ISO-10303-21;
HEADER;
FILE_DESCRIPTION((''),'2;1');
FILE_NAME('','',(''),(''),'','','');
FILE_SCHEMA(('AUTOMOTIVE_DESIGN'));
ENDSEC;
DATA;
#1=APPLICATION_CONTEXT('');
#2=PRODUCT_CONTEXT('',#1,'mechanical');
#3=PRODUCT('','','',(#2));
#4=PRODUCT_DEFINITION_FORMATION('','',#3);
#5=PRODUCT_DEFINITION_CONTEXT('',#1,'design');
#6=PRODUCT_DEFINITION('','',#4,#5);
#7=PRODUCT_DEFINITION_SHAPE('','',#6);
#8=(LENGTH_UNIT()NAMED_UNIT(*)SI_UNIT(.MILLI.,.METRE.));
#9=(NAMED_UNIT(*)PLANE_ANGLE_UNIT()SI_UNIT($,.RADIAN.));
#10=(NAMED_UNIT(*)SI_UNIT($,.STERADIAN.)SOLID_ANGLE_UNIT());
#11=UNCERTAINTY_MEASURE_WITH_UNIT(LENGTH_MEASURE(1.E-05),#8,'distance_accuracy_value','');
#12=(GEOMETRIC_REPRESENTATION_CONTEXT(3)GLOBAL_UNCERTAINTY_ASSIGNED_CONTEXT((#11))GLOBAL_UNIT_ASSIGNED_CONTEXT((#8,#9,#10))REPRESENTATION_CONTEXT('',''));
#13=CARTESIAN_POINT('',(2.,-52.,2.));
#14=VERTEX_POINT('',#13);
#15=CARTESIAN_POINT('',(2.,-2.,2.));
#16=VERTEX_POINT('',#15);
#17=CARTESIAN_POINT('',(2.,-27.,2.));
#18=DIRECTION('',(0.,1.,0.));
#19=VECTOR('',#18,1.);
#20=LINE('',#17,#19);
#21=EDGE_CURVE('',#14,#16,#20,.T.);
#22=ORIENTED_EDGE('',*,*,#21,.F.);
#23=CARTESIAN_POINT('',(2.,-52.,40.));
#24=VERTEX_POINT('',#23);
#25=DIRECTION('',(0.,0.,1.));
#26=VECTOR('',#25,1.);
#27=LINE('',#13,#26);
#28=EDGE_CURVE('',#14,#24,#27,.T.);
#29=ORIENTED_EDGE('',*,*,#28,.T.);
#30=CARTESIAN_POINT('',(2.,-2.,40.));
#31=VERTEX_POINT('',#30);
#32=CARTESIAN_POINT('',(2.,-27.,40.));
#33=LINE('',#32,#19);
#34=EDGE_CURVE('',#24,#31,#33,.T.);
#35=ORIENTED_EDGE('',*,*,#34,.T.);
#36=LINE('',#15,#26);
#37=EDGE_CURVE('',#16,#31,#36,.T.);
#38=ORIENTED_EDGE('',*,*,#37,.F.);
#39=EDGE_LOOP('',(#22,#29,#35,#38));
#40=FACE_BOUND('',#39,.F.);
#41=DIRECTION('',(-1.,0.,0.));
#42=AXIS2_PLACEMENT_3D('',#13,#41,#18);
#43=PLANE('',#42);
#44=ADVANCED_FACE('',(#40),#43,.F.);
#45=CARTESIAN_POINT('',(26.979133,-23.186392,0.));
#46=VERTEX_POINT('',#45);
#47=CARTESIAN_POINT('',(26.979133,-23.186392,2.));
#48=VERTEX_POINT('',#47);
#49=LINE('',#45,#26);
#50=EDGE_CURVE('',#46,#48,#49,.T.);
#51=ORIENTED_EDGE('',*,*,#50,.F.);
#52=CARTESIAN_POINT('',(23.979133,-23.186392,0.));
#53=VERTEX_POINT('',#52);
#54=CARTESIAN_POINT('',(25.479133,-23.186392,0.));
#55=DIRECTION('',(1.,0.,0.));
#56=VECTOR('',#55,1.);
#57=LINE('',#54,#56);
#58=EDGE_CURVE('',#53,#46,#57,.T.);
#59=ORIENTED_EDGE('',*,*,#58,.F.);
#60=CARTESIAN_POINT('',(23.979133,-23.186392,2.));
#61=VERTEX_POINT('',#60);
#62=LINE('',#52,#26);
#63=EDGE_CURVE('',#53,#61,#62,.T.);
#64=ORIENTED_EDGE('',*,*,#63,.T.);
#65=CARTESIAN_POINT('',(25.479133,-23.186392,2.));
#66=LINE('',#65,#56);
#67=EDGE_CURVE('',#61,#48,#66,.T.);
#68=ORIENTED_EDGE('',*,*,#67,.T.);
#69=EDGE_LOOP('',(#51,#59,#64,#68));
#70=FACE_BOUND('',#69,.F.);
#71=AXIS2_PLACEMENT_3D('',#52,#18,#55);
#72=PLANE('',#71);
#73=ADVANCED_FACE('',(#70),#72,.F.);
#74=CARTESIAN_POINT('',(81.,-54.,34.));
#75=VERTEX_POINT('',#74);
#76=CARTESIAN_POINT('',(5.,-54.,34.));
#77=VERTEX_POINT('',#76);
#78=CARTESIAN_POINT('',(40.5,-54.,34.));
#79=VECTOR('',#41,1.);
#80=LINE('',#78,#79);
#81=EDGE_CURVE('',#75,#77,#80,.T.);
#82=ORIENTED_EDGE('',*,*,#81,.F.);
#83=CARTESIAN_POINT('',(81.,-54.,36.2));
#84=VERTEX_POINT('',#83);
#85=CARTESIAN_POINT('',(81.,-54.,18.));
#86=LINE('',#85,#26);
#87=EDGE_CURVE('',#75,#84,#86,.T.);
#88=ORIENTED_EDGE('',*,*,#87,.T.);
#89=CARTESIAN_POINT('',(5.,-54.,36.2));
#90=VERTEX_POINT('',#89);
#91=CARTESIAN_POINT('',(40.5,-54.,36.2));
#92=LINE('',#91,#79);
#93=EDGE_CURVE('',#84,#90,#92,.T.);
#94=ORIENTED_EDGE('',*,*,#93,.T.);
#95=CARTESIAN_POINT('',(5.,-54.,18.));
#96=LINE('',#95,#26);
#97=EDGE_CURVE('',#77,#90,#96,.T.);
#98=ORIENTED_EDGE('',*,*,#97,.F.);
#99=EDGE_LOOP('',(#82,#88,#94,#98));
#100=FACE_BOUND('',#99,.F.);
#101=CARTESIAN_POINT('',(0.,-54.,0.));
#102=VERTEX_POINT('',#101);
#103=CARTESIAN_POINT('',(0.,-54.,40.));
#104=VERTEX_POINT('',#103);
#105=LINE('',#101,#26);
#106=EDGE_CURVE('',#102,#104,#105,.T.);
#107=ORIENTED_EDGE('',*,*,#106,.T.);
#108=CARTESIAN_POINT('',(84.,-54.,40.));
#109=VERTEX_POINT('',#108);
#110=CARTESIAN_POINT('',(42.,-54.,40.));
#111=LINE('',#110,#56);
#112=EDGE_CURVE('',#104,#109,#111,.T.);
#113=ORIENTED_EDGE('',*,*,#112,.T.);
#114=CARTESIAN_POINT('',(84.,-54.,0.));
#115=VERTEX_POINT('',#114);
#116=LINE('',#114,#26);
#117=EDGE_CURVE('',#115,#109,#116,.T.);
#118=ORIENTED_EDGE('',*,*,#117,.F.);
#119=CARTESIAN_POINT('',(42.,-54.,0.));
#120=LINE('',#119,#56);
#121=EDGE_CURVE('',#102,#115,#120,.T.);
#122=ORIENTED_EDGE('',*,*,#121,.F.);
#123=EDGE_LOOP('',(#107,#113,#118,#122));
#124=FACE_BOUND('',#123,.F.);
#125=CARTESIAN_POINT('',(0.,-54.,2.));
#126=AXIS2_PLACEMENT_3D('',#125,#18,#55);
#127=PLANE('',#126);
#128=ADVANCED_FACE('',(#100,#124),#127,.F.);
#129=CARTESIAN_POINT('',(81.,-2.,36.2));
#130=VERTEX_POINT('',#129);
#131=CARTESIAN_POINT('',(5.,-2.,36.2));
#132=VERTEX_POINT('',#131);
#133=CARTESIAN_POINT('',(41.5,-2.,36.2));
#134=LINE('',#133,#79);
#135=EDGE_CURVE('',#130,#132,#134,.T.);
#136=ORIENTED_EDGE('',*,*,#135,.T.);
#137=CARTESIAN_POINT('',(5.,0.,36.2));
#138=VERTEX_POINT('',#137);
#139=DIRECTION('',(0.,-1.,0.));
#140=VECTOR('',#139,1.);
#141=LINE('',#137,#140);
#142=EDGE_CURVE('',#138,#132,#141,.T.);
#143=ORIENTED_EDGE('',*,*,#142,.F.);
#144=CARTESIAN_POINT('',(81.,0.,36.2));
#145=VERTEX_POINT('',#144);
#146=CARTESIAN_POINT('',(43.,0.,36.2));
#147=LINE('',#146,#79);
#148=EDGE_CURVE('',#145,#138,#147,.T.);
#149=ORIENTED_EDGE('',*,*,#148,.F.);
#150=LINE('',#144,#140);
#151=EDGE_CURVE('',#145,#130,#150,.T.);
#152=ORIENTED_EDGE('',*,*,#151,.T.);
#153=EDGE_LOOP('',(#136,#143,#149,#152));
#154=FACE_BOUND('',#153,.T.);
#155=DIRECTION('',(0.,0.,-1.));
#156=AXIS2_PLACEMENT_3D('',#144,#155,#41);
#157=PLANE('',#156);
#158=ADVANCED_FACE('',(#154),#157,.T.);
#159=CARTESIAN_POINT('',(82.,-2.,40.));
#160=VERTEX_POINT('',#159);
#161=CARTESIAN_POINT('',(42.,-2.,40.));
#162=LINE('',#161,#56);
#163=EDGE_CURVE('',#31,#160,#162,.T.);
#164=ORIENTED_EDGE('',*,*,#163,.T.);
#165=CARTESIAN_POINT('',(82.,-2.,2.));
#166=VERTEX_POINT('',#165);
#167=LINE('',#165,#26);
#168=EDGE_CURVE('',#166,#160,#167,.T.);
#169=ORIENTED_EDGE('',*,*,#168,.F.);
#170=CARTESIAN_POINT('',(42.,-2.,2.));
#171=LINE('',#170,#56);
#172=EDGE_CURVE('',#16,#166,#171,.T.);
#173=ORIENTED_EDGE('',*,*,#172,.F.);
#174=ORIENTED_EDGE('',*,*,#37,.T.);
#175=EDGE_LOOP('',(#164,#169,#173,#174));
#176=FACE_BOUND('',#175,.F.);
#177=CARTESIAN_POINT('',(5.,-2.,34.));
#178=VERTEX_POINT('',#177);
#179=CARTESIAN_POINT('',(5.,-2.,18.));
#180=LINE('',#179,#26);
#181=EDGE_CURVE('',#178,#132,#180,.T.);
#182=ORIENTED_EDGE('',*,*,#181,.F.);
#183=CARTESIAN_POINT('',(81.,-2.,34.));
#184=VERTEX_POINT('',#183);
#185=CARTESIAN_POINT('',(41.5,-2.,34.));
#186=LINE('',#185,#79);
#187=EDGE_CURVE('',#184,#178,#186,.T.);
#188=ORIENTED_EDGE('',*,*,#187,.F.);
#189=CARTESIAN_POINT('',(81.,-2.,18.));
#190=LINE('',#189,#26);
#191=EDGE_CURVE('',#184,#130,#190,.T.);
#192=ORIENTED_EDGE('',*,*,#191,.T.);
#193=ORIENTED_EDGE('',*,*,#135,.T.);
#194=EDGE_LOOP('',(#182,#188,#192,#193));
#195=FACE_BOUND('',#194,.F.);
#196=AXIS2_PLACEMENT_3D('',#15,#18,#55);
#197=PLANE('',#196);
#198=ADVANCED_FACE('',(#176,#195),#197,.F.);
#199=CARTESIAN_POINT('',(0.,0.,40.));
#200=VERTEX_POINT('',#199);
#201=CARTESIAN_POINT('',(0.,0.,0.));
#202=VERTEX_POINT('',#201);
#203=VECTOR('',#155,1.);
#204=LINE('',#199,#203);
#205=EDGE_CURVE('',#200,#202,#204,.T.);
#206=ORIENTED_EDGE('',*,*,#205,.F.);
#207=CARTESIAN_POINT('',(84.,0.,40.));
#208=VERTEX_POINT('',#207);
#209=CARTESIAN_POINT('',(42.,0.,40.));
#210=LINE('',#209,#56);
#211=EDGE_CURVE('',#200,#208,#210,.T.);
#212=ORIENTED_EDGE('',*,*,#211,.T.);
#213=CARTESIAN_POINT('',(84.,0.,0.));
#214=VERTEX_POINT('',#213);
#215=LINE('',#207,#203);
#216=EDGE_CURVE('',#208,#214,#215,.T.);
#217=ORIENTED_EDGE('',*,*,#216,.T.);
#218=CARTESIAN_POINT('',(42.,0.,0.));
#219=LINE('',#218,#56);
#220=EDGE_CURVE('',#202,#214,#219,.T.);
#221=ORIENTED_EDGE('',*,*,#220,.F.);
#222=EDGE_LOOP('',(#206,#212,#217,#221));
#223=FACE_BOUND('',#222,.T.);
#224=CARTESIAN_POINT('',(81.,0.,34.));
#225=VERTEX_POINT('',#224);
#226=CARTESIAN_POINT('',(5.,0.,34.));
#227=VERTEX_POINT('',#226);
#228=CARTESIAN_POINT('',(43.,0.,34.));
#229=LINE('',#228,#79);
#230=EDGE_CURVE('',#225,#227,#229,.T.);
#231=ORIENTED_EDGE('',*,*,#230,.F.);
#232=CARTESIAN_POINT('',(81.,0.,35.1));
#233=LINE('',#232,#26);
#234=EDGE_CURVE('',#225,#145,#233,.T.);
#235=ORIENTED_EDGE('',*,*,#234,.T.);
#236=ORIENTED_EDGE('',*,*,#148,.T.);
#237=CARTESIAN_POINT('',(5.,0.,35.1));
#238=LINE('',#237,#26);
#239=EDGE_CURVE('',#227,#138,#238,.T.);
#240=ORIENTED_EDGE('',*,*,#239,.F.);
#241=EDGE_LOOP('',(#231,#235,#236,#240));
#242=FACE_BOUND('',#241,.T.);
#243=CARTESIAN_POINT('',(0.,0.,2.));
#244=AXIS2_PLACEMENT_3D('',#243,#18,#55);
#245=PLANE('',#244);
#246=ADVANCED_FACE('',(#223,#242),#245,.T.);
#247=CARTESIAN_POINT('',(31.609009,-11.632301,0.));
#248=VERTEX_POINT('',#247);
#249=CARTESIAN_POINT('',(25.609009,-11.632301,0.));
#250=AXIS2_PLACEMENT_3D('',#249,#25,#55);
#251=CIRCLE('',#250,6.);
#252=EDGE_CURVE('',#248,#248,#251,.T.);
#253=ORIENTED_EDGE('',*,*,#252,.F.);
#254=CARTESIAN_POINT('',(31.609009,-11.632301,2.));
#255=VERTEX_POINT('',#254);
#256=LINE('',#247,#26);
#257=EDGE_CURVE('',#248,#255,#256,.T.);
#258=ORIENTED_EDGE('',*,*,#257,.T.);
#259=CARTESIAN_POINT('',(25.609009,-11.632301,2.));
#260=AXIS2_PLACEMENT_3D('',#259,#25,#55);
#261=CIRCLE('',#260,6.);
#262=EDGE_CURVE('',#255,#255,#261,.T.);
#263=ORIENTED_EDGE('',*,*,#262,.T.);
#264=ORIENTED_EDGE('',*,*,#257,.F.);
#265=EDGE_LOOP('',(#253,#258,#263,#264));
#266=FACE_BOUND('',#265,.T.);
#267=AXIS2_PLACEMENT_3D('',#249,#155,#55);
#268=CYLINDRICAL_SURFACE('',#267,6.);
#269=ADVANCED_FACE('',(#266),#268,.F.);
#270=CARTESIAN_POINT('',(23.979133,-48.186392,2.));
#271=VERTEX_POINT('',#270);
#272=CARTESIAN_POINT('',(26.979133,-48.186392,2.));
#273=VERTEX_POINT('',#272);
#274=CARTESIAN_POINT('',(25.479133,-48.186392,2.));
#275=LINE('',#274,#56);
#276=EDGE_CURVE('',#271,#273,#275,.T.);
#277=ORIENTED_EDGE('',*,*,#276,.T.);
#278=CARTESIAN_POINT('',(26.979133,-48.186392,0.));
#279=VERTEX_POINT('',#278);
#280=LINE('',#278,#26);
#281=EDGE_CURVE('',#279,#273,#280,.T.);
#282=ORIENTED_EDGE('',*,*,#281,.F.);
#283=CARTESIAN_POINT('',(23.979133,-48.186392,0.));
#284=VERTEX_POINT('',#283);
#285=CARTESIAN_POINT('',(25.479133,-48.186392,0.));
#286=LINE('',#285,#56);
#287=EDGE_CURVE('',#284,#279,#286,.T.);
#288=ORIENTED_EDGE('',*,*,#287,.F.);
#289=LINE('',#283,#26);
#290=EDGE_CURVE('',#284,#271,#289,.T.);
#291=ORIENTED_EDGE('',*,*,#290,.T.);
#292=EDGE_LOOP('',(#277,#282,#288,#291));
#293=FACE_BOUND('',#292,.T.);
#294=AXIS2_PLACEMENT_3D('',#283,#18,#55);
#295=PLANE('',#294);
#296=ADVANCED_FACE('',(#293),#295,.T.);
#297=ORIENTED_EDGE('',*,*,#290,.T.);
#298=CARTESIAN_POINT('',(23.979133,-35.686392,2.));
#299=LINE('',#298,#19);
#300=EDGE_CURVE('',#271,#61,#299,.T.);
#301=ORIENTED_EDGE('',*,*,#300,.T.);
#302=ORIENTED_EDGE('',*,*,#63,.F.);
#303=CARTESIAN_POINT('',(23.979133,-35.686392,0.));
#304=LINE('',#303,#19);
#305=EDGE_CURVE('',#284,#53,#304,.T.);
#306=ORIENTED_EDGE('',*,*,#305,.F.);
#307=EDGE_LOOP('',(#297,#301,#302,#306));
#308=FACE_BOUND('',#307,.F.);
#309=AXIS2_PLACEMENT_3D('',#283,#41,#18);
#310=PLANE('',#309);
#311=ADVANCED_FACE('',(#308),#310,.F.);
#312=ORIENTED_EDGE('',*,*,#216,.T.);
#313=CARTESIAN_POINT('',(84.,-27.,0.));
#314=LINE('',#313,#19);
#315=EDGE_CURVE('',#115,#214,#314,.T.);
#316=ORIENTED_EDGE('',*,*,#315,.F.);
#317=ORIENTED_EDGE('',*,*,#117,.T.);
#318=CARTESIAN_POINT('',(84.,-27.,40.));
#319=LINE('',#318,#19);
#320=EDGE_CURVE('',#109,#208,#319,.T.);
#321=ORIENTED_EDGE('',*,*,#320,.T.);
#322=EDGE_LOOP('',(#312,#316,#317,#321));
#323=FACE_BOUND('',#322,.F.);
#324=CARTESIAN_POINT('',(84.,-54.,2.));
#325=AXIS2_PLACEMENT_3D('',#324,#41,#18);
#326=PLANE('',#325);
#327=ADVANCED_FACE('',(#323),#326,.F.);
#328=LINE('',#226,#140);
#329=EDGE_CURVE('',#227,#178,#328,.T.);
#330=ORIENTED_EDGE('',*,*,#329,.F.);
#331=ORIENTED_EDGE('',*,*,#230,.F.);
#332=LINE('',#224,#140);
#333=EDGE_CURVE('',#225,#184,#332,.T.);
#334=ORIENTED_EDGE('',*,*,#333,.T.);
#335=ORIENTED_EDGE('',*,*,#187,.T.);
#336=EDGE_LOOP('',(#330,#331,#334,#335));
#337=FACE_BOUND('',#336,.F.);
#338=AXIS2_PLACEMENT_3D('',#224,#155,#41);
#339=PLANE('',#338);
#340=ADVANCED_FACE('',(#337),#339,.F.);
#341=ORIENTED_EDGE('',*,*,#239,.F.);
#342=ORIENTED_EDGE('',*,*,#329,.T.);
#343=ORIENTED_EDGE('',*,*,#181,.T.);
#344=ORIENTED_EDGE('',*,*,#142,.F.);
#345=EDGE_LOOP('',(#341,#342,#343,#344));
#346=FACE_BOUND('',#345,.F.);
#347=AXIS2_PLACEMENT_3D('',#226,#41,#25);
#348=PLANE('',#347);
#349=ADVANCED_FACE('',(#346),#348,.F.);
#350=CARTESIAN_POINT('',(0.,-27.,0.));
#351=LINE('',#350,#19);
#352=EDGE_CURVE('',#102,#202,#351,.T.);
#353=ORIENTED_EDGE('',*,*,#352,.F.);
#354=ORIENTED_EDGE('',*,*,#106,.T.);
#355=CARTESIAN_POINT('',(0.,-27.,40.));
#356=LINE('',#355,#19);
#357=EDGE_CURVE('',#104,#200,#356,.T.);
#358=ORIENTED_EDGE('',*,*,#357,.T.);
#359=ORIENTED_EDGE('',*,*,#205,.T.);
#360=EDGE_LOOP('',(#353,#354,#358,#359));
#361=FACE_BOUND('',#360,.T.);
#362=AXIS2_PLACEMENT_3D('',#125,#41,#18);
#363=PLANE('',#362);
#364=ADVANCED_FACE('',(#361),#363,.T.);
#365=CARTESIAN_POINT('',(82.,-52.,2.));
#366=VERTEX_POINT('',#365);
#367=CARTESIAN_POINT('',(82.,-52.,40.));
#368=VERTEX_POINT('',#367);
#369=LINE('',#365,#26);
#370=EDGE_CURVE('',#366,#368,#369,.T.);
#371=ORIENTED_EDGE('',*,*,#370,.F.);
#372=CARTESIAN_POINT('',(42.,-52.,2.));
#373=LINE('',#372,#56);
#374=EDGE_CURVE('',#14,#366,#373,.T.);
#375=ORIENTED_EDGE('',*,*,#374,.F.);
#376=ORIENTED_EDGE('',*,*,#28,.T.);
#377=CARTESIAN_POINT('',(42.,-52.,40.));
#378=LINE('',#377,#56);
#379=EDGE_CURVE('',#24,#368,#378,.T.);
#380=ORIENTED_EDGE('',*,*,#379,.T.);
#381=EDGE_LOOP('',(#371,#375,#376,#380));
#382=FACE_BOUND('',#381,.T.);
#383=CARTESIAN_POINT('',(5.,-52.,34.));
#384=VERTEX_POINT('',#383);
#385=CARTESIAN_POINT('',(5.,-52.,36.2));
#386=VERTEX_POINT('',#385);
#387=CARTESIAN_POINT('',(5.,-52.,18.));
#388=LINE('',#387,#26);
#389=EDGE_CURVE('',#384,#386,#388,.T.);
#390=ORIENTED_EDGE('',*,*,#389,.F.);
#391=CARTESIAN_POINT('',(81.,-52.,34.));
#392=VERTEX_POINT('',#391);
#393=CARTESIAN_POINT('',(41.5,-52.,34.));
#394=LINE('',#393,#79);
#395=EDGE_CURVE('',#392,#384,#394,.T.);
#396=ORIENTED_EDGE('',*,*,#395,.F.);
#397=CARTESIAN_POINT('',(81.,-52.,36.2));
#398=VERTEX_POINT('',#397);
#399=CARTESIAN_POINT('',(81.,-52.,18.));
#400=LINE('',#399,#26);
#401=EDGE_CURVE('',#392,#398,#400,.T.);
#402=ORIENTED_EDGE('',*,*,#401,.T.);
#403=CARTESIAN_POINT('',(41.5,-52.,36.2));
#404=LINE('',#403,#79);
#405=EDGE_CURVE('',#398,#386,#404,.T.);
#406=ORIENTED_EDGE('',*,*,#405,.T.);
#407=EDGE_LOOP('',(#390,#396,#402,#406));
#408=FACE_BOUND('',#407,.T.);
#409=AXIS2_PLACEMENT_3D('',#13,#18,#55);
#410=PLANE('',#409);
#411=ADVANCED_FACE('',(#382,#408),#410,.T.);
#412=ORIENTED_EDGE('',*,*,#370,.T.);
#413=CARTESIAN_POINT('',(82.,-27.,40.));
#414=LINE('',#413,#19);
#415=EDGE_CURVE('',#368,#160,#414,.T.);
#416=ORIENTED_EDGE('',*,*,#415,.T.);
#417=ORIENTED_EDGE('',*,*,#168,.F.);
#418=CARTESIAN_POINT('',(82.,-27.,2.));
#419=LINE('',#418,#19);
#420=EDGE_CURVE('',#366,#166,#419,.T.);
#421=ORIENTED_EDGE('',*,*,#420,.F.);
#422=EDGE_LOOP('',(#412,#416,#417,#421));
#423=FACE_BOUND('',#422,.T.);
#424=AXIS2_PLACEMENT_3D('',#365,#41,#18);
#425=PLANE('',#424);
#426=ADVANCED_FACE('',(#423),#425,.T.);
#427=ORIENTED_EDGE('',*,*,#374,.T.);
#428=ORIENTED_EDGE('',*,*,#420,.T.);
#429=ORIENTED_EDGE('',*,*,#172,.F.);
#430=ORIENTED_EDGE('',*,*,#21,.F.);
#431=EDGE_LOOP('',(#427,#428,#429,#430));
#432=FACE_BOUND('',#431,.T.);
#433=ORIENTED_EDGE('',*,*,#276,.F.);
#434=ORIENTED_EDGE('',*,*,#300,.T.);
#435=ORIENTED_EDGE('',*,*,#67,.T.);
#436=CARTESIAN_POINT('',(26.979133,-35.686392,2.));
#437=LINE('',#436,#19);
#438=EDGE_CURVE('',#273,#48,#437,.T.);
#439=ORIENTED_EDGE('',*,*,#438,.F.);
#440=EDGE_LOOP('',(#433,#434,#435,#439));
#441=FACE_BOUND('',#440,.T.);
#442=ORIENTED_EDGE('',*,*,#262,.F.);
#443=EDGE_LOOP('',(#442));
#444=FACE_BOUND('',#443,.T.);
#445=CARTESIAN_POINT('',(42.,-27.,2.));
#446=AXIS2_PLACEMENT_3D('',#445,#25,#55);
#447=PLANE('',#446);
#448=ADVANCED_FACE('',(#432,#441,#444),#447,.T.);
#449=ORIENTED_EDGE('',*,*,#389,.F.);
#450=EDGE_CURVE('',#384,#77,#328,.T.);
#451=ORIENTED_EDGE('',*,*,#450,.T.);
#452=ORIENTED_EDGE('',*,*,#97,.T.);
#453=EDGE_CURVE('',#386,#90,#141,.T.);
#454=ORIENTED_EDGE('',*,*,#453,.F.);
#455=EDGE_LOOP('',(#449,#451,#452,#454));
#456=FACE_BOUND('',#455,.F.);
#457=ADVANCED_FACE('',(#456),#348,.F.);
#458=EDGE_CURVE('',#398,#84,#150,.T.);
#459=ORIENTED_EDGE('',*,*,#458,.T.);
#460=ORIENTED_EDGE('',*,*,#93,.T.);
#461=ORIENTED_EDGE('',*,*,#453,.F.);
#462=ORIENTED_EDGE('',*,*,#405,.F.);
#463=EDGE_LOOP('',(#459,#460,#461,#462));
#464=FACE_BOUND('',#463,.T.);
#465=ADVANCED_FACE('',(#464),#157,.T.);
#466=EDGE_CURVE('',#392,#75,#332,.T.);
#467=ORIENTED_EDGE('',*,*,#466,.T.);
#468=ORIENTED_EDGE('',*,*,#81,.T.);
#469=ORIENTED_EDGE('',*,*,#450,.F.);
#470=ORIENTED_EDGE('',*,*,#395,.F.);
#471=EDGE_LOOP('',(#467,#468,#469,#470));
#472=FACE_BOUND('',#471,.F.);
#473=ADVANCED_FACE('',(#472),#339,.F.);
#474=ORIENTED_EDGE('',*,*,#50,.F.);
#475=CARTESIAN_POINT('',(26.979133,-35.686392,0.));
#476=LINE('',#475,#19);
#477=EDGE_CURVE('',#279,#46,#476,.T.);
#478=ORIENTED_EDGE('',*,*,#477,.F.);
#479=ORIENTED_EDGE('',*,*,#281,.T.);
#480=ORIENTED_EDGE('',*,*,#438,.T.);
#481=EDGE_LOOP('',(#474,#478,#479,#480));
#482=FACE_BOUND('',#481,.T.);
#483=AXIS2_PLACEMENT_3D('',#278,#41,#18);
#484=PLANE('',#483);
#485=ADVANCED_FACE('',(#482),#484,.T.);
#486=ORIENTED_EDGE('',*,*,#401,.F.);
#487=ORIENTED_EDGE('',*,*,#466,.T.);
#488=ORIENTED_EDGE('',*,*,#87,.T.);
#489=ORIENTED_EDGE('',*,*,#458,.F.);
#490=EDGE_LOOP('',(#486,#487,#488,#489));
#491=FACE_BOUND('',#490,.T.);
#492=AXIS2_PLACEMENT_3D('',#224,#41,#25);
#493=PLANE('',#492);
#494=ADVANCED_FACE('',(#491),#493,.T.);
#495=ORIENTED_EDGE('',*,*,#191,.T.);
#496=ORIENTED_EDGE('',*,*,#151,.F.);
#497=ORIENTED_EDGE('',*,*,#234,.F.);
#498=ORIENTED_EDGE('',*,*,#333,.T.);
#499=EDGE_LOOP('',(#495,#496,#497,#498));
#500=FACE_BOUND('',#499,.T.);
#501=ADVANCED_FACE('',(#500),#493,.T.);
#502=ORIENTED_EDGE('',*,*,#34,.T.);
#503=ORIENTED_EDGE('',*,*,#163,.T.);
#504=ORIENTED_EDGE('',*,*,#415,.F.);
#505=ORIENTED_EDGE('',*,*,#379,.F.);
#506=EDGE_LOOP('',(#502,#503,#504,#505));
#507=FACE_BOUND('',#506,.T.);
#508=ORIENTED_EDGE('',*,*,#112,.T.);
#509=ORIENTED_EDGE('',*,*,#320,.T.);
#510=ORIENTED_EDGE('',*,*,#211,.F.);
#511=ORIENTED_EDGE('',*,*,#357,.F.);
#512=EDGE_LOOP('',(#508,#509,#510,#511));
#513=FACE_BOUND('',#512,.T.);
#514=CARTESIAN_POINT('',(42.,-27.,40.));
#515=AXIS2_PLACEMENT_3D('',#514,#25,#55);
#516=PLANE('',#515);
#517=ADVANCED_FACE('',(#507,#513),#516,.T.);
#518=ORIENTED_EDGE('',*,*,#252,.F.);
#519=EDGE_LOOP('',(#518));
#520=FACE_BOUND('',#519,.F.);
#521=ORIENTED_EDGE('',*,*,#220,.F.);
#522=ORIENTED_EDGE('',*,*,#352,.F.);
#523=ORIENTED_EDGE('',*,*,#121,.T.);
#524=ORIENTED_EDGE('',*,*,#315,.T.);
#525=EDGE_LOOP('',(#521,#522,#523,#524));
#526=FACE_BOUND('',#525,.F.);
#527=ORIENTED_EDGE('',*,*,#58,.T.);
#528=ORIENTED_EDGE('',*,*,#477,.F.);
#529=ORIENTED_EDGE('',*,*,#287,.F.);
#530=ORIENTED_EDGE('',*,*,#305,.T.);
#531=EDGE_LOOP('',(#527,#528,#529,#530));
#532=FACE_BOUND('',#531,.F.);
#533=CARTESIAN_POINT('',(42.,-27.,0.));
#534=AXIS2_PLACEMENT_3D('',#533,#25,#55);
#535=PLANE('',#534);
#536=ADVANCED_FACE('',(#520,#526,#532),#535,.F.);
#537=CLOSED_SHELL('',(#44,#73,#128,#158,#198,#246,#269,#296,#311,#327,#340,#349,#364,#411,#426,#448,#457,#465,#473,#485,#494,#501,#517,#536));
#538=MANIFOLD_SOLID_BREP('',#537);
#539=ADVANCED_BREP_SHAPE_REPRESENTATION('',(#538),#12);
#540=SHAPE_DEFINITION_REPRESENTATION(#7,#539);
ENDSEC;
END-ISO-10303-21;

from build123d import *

# Parameters (mm, degrees)
SKETCH011_W     = 84
SKETCH011_H     = 54
SKETCH011_R     = 6
SKETCH011_W_2   = 3
SKETCH011_H_2   = 25
PAD004_DEPTH    = 2
SKETCH012_W     = 84
SKETCH012_H     = 54
SKETCH012_W_2   = 80
SKETCH012_H_2   = 50
PAD005_DEPTH    = 38
SKETCH013_W     = 76
SKETCH013_H     = 2.2
POCKET007_DEPTH = 54.001


with BuildPart() as part:
    # Sketch011 (on XY_Plane005 of Origin010) → Pad004 (new body)
    with BuildSketch(Plane.XY):
        with Locations((42, -27)):
            Rectangle(SKETCH011_W, SKETCH011_H)
        with Locations((25.609009, -11.632301)):
            Circle(SKETCH011_R, mode=Mode.SUBTRACT)
        with Locations((25.479133, -35.686392)):
            Rectangle(SKETCH011_W_2, SKETCH011_H_2, mode=Mode.SUBTRACT)
    extrude(amount=PAD004_DEPTH)

    # Sketch012 (on Face11 of Pad004) → Pad005 (join)
    with BuildSketch(Plane.XY.offset(2)):
        with Locations((42, -27)):
            Rectangle(SKETCH012_W, SKETCH012_H)
        with Locations((42, -27)):
            Rectangle(SKETCH012_W_2, SKETCH012_H_2, mode=Mode.SUBTRACT)
    extrude(amount=PAD005_DEPTH)

    # Sketch013 (on Face14 of Pad005) → Pocket007 (cut, through all)
    with BuildSketch(Plane(origin=(0, 0, 0), x_dir=(-1, 0, 0), z_dir=(0, 1, 0))):
        with Locations((-43, 35.1)):
            Rectangle(SKETCH013_W, SKETCH013_H)
    extrude(amount=-POCKET007_DEPTH, mode=Mode.SUBTRACT)


solid = part.part
